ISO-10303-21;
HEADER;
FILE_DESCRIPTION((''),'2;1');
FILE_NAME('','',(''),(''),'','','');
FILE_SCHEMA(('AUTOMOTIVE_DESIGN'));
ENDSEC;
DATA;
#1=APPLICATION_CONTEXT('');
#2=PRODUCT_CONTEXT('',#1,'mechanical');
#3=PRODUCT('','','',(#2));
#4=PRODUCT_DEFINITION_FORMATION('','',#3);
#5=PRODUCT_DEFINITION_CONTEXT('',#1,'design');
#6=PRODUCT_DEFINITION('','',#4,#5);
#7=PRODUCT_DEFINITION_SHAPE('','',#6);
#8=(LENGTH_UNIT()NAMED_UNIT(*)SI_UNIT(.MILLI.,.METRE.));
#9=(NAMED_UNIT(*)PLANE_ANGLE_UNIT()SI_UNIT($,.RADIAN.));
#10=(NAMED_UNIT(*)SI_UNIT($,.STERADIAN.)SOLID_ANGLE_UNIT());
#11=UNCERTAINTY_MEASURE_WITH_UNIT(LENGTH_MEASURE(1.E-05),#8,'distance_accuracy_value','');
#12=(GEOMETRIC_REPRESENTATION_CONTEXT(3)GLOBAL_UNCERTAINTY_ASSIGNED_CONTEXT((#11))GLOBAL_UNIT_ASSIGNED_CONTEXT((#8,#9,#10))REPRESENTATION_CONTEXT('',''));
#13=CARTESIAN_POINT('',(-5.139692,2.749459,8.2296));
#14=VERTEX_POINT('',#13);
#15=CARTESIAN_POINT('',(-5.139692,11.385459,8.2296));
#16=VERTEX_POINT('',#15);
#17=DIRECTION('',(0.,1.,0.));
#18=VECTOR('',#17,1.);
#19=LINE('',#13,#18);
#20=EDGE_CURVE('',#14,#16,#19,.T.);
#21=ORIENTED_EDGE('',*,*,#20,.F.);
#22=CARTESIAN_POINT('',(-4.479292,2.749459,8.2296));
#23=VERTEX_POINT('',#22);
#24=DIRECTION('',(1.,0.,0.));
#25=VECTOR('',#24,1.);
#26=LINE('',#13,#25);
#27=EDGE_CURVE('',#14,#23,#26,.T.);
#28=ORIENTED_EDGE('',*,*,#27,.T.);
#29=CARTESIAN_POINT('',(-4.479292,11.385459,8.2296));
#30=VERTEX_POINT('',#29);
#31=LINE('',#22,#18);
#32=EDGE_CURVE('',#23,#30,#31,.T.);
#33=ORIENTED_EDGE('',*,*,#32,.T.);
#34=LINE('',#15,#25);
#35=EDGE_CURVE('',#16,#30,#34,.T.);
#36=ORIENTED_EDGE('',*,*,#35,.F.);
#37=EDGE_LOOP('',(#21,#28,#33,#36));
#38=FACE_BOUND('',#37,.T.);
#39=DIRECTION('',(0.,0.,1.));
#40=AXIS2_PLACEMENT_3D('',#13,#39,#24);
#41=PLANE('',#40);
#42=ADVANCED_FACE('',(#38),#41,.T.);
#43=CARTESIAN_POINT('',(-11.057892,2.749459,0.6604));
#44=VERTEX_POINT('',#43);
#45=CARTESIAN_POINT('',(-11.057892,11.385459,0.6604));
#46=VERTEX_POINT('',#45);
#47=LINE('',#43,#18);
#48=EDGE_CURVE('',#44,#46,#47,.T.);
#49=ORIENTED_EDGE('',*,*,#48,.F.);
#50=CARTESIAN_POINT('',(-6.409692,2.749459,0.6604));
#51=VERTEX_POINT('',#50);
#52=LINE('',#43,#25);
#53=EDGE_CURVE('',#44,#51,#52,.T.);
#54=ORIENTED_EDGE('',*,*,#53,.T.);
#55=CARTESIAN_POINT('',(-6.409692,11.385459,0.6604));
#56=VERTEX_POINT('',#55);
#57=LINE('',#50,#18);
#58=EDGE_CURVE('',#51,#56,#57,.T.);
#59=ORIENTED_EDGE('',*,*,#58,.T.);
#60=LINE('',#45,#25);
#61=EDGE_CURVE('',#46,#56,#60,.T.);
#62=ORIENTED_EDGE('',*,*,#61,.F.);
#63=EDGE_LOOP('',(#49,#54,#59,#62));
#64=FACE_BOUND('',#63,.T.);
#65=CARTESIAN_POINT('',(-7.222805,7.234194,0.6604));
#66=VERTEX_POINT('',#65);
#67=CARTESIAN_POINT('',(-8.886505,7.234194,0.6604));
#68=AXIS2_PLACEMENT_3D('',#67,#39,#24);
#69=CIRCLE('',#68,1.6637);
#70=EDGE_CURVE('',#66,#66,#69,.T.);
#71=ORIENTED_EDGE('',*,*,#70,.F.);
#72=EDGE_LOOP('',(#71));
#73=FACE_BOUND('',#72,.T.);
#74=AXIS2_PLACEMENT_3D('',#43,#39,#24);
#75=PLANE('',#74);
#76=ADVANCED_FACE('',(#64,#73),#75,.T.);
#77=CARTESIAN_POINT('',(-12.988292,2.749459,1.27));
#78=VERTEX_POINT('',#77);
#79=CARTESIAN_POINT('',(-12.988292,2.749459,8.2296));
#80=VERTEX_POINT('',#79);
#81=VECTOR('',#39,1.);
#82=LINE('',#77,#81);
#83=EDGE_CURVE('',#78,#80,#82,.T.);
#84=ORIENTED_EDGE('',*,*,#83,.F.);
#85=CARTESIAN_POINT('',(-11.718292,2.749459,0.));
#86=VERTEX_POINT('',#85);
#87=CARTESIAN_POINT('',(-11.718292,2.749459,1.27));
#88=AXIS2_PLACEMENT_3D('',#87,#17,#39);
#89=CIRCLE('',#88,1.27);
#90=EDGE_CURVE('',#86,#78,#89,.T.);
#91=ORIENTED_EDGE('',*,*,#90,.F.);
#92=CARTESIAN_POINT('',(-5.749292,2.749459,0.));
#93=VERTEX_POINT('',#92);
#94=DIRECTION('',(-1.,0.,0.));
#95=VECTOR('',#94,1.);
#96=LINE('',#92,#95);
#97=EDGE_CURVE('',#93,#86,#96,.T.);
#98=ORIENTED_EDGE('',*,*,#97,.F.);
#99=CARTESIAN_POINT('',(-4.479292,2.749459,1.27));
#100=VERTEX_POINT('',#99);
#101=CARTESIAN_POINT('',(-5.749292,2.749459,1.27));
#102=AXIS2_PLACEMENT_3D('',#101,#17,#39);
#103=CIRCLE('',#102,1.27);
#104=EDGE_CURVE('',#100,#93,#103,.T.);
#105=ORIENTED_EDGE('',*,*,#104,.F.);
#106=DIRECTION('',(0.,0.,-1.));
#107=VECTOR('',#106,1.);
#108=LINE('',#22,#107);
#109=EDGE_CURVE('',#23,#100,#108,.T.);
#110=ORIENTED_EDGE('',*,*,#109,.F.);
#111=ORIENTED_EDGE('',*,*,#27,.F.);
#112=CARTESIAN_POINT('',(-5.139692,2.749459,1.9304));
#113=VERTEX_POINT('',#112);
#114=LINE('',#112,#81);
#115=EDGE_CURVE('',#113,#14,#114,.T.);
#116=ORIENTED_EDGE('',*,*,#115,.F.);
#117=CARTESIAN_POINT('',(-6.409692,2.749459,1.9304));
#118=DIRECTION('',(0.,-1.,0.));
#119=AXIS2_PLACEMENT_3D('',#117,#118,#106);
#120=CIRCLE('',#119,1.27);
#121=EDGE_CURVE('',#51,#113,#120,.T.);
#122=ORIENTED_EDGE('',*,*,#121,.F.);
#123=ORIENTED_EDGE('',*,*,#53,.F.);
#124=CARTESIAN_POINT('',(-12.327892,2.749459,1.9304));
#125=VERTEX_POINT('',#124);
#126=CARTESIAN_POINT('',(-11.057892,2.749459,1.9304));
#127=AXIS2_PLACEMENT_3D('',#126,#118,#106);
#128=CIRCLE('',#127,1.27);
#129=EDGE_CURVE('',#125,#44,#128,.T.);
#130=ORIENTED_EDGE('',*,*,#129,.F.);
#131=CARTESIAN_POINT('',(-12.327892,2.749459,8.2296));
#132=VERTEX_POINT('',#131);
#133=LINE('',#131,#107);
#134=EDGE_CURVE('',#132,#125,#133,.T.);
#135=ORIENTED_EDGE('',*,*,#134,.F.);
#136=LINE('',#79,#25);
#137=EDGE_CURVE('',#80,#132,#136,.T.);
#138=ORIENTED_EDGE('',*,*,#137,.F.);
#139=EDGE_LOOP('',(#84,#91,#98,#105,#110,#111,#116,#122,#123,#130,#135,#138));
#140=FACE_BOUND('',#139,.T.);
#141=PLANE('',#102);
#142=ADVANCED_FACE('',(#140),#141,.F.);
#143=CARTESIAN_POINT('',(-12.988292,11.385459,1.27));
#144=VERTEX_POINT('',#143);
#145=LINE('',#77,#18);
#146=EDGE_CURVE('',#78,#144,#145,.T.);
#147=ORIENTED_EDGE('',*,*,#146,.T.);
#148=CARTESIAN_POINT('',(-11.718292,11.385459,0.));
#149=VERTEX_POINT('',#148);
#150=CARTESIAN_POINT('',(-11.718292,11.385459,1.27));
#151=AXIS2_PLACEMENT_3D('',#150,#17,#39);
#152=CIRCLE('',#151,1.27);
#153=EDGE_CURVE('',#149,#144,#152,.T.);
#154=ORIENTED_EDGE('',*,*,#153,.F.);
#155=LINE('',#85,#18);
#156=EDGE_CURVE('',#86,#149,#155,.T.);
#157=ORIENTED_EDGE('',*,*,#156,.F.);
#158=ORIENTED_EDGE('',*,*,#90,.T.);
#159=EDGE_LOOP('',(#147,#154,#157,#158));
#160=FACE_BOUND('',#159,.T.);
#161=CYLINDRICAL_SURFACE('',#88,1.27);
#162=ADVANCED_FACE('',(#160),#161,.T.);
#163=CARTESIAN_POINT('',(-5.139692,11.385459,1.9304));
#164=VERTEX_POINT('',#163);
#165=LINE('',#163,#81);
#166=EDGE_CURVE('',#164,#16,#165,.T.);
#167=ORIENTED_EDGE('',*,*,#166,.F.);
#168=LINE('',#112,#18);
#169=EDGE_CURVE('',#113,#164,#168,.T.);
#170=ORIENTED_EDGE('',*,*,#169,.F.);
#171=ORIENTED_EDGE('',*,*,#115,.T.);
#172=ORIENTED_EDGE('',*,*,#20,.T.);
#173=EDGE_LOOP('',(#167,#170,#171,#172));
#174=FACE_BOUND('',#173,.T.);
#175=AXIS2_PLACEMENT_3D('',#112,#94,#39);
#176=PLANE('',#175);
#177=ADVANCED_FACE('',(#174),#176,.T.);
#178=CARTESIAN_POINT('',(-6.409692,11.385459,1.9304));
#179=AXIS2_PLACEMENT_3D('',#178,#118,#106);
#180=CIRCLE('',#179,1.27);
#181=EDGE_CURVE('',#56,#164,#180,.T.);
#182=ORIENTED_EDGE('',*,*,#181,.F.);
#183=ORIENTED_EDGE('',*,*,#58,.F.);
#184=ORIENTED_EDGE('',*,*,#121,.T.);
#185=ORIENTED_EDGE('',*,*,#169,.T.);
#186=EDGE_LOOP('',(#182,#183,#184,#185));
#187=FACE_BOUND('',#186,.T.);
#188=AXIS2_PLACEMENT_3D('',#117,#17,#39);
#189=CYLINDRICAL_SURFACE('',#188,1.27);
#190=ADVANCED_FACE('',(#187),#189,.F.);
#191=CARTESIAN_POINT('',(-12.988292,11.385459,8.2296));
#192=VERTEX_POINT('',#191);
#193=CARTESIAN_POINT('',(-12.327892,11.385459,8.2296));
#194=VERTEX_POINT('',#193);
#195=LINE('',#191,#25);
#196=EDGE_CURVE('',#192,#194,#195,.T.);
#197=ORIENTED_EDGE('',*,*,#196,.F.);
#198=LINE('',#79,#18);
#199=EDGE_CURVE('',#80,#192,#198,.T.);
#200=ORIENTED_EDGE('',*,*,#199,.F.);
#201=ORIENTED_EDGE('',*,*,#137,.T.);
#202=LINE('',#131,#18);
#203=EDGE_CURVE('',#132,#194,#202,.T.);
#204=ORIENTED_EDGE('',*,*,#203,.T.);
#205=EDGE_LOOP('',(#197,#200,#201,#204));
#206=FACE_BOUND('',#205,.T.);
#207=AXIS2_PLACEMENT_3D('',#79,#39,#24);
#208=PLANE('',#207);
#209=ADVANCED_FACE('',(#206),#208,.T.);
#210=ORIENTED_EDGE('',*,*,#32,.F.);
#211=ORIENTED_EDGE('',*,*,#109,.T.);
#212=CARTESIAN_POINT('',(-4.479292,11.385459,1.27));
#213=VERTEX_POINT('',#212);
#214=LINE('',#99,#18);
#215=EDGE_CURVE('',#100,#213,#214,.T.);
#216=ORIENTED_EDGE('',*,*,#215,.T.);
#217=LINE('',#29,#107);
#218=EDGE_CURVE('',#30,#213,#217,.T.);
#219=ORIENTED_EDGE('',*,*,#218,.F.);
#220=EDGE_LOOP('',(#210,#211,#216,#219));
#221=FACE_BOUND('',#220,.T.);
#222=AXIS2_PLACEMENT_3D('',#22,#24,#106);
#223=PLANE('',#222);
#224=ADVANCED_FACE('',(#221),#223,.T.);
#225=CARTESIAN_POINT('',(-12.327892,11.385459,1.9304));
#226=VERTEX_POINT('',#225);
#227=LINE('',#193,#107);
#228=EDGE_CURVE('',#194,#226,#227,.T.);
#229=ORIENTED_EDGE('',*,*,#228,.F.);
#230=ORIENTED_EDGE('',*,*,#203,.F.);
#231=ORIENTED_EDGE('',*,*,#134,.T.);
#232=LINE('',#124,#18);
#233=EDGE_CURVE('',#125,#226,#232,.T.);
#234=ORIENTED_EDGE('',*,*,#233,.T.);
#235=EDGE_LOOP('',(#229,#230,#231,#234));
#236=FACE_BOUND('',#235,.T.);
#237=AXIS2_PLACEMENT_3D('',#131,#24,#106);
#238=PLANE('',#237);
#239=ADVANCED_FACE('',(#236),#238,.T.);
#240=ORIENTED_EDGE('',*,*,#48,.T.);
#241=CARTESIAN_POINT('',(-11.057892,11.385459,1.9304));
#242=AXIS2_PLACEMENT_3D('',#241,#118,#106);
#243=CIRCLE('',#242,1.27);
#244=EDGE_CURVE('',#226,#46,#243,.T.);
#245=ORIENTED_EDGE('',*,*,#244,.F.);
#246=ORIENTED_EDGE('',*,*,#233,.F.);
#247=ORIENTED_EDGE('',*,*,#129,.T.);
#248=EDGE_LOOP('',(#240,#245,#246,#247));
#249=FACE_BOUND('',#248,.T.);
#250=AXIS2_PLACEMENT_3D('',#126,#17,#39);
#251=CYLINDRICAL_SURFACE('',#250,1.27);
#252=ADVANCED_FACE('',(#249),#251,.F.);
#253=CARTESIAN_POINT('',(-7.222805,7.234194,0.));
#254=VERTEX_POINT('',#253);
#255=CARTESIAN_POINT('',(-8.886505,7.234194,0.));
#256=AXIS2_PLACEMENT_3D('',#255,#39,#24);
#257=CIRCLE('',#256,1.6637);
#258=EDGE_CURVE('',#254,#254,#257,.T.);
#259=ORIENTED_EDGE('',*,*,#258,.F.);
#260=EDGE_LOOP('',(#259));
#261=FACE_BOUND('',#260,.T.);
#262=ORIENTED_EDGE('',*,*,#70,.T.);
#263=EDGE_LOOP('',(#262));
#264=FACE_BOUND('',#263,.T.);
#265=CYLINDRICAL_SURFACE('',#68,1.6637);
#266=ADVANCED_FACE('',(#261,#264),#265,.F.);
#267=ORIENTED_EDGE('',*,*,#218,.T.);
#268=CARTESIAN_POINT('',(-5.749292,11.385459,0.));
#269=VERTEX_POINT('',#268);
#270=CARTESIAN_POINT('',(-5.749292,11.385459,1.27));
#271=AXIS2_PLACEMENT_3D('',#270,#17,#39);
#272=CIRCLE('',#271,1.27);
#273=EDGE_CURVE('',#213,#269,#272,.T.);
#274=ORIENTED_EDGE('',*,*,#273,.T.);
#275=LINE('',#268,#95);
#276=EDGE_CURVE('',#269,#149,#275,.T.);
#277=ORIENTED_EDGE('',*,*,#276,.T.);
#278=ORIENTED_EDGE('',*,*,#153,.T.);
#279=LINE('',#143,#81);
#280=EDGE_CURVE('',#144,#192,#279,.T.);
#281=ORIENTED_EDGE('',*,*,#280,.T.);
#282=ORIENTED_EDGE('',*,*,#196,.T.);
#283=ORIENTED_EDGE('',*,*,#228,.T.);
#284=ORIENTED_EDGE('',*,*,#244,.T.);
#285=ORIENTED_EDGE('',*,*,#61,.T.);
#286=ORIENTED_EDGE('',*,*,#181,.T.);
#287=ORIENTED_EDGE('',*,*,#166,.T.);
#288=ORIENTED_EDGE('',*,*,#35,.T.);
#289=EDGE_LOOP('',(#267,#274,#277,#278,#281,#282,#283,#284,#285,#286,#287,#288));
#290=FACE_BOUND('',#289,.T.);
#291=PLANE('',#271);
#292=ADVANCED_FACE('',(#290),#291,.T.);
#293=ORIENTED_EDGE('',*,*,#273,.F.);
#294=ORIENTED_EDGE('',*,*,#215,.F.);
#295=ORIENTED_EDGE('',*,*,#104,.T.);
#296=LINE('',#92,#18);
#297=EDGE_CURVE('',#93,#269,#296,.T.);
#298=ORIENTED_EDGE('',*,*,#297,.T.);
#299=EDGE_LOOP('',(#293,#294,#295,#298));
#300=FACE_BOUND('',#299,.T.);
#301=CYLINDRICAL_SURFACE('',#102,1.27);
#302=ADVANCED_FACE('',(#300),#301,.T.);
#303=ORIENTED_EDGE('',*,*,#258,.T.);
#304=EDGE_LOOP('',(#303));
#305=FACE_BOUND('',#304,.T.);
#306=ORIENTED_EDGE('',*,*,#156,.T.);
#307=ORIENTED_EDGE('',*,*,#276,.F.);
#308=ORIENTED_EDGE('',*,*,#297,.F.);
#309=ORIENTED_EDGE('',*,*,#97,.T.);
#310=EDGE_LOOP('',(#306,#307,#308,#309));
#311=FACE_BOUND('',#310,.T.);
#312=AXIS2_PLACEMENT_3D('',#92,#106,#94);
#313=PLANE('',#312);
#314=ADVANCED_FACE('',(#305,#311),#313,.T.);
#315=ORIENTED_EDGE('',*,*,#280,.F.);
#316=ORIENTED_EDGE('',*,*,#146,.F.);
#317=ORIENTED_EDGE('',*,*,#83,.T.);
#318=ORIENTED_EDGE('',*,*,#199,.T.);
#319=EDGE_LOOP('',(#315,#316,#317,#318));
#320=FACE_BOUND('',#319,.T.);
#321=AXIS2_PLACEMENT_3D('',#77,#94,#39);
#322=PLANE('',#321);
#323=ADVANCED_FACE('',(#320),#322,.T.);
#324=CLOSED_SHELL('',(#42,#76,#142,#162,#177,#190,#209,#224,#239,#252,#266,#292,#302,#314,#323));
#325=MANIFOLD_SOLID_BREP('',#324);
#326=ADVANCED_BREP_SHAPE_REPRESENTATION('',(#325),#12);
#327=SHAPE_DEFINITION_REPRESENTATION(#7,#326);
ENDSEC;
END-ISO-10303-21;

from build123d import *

# Parameters (mm, degrees)
BOSS_EXTRUDE1_DEPTH = 8.636
HOLE1_D             = 3.3274


with BuildPart() as part:
    # Sketch1 → Boss-Extrude1 (new body)
    with BuildSketch(Plane(origin=(0, 11.385459202, 0), x_dir=(-1, 0, 0), z_dir=(0, 1, 0))):
        with BuildLine():
            Line((5.749291724, 0), (11.718291724, 0))
            ThreePointArc((11.718291724, 0), (12.616317336, 0.371974388), (12.988291724, 1.27))
            Line((12.988291724, 1.27), (12.988291724, 8.2296))
            Line((12.988291724, 8.2296), (12.327891724, 8.2296))
            Line((12.327891724, 8.2296), (12.327891724, 1.9304))
            ThreePointArc((12.327891724, 1.9304), (11.955917336, 1.032374388), (11.057891724, 0.6604))
            Line((11.057891724, 0.6604), (6.409691724, 0.6604))
            ThreePointArc((6.409691724, 0.6604), (5.511666112, 1.032374388), (5.139691724, 1.9304))
            Line((5.139691724, 1.9304), (5.139691724, 8.2296))
            Line((5.139691724, 8.2296), (4.479291724, 8.2296))
            Line((4.479291724, 8.2296), (4.479291724, 1.27))
            ThreePointArc((4.479291724, 1.27), (4.851266112, 0.371974388), (5.749291724, 0))
        make_face()
    extrude(amount=-BOSS_EXTRUDE1_DEPTH)

    # Hole1 (through all)
    with Locations(Plane.XY.offset(0.6604)):
        with Locations((-8.886505488, 7.234194178)):
            Hole(HOLE1_D / 2)


solid = part.part
